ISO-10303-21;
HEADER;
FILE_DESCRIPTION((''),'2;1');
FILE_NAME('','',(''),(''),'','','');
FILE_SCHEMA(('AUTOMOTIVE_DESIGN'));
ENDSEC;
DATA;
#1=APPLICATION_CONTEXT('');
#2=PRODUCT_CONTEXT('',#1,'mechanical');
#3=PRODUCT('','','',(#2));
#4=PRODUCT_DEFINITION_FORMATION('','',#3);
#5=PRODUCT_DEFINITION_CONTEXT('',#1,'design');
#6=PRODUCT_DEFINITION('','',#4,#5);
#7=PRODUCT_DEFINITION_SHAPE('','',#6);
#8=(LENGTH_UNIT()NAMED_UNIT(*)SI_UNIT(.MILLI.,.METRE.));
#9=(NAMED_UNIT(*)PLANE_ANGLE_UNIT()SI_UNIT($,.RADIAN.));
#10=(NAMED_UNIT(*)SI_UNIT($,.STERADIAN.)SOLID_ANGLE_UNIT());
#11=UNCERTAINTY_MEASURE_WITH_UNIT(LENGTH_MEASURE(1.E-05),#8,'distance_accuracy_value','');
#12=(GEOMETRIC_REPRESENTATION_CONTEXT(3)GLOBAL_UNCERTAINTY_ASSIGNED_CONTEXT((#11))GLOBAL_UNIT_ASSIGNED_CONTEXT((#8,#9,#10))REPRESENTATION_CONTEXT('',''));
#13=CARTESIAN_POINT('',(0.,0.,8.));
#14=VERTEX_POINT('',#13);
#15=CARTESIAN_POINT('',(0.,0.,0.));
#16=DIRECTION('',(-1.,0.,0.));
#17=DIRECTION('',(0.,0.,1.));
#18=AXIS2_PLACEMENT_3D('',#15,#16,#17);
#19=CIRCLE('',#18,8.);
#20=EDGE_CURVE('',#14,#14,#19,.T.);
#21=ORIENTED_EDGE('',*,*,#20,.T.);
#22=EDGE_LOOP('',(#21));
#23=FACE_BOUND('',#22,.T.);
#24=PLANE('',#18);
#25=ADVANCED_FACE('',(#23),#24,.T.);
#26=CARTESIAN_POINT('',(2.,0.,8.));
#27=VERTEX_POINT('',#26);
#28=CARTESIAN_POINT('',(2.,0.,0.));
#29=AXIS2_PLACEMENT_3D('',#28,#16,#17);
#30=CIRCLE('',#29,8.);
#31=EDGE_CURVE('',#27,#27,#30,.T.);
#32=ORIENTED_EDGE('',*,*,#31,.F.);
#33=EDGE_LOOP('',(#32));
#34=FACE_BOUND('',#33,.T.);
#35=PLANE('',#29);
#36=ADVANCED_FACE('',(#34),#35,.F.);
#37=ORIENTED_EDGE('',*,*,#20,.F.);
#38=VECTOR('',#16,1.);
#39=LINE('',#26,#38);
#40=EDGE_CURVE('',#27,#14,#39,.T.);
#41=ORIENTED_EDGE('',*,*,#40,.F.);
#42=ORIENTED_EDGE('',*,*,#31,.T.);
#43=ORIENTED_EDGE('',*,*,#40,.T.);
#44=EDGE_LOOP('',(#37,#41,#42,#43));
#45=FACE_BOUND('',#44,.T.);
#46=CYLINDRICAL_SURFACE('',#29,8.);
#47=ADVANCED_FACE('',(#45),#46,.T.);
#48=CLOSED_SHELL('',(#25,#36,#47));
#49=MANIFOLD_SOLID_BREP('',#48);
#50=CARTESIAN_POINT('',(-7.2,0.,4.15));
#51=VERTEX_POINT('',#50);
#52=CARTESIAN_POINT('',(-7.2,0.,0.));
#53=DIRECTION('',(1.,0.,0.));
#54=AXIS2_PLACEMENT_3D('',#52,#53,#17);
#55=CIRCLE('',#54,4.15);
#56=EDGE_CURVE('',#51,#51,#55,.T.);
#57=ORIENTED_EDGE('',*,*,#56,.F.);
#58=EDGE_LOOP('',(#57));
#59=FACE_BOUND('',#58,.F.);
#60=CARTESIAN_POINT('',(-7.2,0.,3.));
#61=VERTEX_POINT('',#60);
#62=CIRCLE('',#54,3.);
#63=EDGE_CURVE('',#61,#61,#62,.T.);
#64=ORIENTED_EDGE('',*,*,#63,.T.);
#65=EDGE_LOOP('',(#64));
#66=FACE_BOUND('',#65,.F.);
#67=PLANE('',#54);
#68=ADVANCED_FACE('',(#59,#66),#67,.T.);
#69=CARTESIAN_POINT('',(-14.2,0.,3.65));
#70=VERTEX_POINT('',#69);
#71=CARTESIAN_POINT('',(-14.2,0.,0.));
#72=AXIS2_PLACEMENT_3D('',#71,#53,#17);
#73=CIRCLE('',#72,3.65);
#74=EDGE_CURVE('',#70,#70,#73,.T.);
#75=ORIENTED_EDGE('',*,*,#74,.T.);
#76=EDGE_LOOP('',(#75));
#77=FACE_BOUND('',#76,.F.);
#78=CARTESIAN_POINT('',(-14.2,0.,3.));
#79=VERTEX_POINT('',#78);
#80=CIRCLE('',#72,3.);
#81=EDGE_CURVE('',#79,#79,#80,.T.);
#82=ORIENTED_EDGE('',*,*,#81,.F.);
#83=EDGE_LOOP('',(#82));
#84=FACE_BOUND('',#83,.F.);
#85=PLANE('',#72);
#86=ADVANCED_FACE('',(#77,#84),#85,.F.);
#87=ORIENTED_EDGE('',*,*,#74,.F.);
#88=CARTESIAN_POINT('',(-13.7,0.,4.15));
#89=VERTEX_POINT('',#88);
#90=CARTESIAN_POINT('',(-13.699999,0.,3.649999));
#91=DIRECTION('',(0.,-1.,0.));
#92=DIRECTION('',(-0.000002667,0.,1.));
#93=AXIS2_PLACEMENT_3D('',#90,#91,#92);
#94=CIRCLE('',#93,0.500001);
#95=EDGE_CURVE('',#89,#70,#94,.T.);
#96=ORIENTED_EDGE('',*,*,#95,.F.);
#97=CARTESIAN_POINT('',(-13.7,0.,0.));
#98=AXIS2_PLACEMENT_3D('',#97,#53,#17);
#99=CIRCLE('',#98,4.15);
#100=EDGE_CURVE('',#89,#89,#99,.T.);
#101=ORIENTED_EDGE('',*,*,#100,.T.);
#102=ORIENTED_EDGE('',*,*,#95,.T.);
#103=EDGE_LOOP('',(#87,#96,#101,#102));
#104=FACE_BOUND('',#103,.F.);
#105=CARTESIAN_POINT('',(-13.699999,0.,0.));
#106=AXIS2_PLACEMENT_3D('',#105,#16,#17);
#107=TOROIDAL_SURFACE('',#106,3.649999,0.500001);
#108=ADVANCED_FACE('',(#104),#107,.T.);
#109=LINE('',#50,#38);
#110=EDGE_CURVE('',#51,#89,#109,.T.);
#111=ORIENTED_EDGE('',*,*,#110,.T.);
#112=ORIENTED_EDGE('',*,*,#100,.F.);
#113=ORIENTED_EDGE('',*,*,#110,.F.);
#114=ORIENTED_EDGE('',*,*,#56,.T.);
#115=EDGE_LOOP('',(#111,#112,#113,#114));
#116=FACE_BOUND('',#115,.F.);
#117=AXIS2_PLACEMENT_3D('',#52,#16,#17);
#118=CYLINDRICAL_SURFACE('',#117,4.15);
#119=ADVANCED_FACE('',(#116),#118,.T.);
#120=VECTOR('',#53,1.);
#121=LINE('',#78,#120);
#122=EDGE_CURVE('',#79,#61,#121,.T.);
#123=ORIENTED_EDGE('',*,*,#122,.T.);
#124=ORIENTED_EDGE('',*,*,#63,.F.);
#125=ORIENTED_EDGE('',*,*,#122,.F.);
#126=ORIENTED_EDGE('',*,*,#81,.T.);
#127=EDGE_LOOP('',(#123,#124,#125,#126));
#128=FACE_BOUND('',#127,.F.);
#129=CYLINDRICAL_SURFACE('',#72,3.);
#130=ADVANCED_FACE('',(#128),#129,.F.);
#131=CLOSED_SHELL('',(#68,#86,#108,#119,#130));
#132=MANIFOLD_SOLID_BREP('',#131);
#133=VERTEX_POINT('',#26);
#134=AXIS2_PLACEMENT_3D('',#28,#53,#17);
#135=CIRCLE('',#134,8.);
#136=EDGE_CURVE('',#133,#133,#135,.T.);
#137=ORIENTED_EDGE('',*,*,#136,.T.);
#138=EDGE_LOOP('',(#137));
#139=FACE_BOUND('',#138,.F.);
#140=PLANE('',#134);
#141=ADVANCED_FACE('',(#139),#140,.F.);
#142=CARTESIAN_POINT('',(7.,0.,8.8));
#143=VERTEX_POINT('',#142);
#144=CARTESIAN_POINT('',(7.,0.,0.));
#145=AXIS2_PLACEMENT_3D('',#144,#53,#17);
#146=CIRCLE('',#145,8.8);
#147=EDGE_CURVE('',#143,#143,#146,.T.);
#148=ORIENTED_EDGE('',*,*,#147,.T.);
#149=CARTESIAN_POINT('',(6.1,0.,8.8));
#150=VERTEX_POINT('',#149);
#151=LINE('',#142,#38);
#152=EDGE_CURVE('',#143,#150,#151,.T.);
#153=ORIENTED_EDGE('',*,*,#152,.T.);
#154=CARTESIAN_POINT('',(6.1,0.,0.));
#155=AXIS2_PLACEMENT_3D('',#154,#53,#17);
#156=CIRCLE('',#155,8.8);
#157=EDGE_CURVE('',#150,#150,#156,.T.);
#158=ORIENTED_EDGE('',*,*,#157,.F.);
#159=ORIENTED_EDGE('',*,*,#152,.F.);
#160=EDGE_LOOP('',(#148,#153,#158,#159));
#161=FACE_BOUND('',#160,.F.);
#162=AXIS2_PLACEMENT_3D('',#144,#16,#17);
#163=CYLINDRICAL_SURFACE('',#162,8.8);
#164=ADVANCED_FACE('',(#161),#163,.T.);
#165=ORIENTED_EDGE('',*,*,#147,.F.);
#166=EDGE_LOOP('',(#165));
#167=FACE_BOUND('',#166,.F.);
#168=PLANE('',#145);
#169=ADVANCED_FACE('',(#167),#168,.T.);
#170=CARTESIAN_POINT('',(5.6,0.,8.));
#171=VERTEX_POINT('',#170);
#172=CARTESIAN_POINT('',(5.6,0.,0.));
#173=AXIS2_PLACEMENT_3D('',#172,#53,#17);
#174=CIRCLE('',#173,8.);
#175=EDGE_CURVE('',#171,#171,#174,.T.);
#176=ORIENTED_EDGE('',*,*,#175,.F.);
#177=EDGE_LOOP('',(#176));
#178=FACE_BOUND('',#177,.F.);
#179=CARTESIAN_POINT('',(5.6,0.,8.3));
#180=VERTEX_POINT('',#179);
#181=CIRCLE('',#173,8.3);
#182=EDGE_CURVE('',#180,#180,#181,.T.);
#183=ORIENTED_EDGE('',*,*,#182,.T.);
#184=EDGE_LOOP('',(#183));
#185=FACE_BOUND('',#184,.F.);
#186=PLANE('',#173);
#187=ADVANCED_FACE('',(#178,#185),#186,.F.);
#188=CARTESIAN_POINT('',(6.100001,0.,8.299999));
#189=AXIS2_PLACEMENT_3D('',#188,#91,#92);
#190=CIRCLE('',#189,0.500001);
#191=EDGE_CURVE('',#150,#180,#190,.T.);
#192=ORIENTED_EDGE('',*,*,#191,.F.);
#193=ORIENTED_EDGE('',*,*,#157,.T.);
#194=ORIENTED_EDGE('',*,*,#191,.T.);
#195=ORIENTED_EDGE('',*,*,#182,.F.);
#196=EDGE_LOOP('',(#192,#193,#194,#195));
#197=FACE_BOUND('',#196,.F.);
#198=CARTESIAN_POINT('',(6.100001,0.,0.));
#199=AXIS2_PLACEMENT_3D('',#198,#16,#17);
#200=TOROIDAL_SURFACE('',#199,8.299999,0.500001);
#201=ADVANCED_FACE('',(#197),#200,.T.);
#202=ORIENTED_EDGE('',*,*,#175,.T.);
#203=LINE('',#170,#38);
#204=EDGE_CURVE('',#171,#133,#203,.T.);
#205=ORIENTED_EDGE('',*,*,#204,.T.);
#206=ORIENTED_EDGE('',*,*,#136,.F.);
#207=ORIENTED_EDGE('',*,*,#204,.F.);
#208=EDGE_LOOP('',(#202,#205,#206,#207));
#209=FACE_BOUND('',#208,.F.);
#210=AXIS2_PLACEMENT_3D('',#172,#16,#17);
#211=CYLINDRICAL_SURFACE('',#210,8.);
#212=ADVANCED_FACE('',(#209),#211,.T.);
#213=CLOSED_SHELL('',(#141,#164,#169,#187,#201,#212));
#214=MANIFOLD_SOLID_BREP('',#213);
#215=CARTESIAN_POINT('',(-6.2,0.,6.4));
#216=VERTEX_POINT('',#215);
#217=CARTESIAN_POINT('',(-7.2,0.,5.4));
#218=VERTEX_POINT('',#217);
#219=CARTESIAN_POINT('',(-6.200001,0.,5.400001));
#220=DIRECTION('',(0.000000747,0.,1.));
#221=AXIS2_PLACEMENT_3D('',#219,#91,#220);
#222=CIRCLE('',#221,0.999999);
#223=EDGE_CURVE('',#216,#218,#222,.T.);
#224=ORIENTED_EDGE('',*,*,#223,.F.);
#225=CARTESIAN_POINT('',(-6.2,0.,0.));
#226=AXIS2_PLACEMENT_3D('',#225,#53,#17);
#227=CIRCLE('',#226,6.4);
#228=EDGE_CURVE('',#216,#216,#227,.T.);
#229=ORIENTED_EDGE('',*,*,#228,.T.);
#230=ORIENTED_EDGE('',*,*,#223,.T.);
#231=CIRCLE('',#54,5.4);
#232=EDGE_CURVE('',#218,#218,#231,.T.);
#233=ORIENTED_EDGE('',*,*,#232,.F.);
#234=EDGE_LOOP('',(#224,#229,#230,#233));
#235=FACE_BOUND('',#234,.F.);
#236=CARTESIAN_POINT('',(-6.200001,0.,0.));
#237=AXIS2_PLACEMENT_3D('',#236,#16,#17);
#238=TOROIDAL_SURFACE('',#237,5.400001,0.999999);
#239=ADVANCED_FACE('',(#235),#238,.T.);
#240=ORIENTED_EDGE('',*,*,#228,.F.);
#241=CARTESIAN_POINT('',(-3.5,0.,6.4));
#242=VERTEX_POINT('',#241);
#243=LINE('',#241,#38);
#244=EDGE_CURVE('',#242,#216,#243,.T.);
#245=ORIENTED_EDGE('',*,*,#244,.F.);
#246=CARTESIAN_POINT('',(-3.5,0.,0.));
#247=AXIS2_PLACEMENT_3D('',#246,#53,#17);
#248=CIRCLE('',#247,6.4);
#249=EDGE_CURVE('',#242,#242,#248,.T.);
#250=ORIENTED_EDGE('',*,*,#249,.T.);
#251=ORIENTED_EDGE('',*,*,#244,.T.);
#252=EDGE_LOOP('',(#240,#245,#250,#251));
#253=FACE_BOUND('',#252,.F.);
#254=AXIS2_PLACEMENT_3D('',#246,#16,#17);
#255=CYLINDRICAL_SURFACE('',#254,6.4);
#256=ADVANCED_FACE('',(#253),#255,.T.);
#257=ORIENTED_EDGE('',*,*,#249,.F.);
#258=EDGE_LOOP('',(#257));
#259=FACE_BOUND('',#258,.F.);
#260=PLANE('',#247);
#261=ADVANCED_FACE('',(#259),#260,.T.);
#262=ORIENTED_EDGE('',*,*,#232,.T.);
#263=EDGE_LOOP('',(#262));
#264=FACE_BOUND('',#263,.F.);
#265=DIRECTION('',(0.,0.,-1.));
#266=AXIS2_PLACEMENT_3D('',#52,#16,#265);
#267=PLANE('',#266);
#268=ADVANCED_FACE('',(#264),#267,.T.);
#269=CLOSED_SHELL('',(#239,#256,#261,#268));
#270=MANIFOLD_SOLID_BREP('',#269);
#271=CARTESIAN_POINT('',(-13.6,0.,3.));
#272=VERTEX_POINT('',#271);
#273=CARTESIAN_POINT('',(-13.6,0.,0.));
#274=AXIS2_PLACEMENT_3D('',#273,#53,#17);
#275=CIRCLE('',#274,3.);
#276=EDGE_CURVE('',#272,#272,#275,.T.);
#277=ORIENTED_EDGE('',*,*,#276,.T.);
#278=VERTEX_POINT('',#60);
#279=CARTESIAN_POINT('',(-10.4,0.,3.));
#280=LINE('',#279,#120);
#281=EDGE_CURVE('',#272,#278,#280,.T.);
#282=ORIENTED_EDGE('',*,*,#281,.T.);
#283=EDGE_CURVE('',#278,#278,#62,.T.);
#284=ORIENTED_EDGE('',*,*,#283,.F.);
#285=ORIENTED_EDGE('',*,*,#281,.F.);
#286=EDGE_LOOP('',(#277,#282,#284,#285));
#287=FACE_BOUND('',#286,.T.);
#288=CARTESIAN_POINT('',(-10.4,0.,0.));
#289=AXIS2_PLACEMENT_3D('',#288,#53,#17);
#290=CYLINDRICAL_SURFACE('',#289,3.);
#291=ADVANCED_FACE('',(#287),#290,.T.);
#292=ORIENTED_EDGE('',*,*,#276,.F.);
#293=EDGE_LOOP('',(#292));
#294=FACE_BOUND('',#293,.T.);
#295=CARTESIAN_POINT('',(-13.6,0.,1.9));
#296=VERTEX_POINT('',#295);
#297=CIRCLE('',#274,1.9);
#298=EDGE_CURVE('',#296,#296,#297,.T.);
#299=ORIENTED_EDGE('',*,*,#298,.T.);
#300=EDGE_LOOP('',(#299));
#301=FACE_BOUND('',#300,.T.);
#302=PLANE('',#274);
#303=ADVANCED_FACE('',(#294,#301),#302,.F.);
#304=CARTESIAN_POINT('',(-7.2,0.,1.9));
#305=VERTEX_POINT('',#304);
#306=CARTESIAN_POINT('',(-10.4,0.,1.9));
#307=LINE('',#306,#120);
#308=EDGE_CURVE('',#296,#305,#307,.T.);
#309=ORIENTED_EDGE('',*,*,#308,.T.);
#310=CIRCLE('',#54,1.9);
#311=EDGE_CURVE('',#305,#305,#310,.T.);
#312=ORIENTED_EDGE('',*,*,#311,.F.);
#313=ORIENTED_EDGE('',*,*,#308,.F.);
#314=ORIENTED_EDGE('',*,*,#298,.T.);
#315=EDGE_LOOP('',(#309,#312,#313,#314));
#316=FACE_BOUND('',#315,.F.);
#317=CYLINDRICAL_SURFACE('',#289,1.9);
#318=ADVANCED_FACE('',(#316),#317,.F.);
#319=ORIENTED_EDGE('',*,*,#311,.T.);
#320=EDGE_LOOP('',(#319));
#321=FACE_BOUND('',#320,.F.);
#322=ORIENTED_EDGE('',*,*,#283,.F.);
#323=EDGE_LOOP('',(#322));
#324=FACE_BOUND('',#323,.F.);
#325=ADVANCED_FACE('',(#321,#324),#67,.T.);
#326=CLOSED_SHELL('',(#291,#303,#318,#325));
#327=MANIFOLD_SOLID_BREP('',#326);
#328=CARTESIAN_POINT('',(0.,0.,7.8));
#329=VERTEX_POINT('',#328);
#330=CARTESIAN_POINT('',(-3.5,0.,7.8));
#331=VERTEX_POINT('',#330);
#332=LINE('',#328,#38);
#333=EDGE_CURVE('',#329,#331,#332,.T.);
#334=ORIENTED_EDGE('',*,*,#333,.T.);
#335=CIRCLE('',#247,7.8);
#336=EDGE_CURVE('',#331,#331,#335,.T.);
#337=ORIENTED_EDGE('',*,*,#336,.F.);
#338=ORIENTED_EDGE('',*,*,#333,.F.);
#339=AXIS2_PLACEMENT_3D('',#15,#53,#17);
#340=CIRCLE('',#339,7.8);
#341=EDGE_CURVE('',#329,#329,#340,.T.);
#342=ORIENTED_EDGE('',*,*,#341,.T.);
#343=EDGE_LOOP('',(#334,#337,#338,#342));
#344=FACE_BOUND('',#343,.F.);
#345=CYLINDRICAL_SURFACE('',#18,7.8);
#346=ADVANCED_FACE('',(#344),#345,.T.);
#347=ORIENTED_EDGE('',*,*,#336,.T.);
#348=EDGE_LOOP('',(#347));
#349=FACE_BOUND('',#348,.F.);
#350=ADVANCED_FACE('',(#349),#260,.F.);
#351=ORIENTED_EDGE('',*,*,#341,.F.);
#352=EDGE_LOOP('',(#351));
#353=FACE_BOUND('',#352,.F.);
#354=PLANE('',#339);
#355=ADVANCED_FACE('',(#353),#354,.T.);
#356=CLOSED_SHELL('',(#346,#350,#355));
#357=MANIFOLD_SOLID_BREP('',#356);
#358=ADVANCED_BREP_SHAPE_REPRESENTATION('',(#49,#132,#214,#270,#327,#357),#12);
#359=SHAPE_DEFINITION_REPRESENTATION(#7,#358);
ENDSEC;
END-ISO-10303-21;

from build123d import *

# Parameters (mm, degrees)
F0_W = 6.4
F0_H = 1.1


with BuildPart() as f1:
    # F0 (on Front) → F1 (revolve)
    with BuildSketch(Plane.XZ):
        with BuildLine():
            Line((-7.2, 3), (-7.2, 4.15))
            Line((-7.2, 4.15), (-13.7, 4.15))
            ThreePointArc((-13.7, 4.15), (-14.053553, 4.003553), (-14.2, 3.65))
            Line((-14.2, 3.65), (-14.2, 3))
            Line((-14.2, 3), (-13.6, 3))
            Line((-13.6, 3), (-7.2, 3))
        make_face()
    revolve(axis=Axis((-1.512052, 0, 0), (1, 0, 0)))


with BuildPart() as f2:
    # F0 (on Front) → F2 (revolve)
    with BuildSketch(Plane.XZ):
        with BuildLine():
            Line((-3.5, 0), (-3.5, 6.4))
            Line((-3.5, 6.4), (-6.2, 6.4))
            ThreePointArc((-6.2, 6.4), (-6.907107, 6.107107), (-7.2, 5.4))
            Line((-7.2, 5.4), (-7.2, 4.15))
            Line((-7.2, 4.15), (-7.2, 3))
            Line((-7.2, 3), (-7.2, 1.9))
            Line((-7.2, 1.9), (-7.2, 0))
            Line((-7.2, 0), (-3.5, 0))
        make_face()
    revolve(axis=Axis((-5.35, 0, 0), (1, 0, 0)))


with BuildPart() as f3:
    # F0 (on Front) → F3 (revolve)
    with BuildSketch(Plane.XZ):
        Polygon((0, 0), (0, 7.8), (-3.5, 7.8), (-3.5, 6.4), (-3.5, 0), align=None)
    revolve(axis=Axis((-1.75, 0, 0), (1, 0, 0)))


with BuildPart() as f4:
    # F0 (on Front) → F4 (revolve)
    with BuildSketch(Plane.XZ):
        Polygon((0, 8), (0, 7.8), (0, 0), (2, 0), (2, 8), align=None)
    revolve(axis=Axis((4.5, 0, 0), (-1, 0, 0)))


with BuildPart() as f5:
    # F0 (on Front) → F5 (revolve)
    with BuildSketch(Plane.XZ):
        with Locations((-10.4, 2.45)):
            Rectangle(F0_W, F0_H)
    revolve(axis=Axis((-1.512052, 0, 0), (1, 0, 0)))


with BuildPart() as f6:
    # F0 (on Front) → F6 (revolve)
    with BuildSketch(Plane.XZ):
        with BuildLine():
            Line((2, 8), (2, 0))
            Line((2, 0), (7, 0))
            Line((7, 0), (7, 8.8))
            Line((7, 8.8), (6.1, 8.8))
            ThreePointArc((6.1, 8.8), (5.746447, 8.653553), (5.6, 8.3))
            Line((5.6, 8.3), (5.6, 8))
            Line((5.6, 8), (2, 8))
        make_face()
    revolve(axis=Axis((-1.512052, 0, 0), (1, 0, 0)))


solid = Compound([f1.part, f2.part, f3.part, f4.part, f5.part, f6.part])
